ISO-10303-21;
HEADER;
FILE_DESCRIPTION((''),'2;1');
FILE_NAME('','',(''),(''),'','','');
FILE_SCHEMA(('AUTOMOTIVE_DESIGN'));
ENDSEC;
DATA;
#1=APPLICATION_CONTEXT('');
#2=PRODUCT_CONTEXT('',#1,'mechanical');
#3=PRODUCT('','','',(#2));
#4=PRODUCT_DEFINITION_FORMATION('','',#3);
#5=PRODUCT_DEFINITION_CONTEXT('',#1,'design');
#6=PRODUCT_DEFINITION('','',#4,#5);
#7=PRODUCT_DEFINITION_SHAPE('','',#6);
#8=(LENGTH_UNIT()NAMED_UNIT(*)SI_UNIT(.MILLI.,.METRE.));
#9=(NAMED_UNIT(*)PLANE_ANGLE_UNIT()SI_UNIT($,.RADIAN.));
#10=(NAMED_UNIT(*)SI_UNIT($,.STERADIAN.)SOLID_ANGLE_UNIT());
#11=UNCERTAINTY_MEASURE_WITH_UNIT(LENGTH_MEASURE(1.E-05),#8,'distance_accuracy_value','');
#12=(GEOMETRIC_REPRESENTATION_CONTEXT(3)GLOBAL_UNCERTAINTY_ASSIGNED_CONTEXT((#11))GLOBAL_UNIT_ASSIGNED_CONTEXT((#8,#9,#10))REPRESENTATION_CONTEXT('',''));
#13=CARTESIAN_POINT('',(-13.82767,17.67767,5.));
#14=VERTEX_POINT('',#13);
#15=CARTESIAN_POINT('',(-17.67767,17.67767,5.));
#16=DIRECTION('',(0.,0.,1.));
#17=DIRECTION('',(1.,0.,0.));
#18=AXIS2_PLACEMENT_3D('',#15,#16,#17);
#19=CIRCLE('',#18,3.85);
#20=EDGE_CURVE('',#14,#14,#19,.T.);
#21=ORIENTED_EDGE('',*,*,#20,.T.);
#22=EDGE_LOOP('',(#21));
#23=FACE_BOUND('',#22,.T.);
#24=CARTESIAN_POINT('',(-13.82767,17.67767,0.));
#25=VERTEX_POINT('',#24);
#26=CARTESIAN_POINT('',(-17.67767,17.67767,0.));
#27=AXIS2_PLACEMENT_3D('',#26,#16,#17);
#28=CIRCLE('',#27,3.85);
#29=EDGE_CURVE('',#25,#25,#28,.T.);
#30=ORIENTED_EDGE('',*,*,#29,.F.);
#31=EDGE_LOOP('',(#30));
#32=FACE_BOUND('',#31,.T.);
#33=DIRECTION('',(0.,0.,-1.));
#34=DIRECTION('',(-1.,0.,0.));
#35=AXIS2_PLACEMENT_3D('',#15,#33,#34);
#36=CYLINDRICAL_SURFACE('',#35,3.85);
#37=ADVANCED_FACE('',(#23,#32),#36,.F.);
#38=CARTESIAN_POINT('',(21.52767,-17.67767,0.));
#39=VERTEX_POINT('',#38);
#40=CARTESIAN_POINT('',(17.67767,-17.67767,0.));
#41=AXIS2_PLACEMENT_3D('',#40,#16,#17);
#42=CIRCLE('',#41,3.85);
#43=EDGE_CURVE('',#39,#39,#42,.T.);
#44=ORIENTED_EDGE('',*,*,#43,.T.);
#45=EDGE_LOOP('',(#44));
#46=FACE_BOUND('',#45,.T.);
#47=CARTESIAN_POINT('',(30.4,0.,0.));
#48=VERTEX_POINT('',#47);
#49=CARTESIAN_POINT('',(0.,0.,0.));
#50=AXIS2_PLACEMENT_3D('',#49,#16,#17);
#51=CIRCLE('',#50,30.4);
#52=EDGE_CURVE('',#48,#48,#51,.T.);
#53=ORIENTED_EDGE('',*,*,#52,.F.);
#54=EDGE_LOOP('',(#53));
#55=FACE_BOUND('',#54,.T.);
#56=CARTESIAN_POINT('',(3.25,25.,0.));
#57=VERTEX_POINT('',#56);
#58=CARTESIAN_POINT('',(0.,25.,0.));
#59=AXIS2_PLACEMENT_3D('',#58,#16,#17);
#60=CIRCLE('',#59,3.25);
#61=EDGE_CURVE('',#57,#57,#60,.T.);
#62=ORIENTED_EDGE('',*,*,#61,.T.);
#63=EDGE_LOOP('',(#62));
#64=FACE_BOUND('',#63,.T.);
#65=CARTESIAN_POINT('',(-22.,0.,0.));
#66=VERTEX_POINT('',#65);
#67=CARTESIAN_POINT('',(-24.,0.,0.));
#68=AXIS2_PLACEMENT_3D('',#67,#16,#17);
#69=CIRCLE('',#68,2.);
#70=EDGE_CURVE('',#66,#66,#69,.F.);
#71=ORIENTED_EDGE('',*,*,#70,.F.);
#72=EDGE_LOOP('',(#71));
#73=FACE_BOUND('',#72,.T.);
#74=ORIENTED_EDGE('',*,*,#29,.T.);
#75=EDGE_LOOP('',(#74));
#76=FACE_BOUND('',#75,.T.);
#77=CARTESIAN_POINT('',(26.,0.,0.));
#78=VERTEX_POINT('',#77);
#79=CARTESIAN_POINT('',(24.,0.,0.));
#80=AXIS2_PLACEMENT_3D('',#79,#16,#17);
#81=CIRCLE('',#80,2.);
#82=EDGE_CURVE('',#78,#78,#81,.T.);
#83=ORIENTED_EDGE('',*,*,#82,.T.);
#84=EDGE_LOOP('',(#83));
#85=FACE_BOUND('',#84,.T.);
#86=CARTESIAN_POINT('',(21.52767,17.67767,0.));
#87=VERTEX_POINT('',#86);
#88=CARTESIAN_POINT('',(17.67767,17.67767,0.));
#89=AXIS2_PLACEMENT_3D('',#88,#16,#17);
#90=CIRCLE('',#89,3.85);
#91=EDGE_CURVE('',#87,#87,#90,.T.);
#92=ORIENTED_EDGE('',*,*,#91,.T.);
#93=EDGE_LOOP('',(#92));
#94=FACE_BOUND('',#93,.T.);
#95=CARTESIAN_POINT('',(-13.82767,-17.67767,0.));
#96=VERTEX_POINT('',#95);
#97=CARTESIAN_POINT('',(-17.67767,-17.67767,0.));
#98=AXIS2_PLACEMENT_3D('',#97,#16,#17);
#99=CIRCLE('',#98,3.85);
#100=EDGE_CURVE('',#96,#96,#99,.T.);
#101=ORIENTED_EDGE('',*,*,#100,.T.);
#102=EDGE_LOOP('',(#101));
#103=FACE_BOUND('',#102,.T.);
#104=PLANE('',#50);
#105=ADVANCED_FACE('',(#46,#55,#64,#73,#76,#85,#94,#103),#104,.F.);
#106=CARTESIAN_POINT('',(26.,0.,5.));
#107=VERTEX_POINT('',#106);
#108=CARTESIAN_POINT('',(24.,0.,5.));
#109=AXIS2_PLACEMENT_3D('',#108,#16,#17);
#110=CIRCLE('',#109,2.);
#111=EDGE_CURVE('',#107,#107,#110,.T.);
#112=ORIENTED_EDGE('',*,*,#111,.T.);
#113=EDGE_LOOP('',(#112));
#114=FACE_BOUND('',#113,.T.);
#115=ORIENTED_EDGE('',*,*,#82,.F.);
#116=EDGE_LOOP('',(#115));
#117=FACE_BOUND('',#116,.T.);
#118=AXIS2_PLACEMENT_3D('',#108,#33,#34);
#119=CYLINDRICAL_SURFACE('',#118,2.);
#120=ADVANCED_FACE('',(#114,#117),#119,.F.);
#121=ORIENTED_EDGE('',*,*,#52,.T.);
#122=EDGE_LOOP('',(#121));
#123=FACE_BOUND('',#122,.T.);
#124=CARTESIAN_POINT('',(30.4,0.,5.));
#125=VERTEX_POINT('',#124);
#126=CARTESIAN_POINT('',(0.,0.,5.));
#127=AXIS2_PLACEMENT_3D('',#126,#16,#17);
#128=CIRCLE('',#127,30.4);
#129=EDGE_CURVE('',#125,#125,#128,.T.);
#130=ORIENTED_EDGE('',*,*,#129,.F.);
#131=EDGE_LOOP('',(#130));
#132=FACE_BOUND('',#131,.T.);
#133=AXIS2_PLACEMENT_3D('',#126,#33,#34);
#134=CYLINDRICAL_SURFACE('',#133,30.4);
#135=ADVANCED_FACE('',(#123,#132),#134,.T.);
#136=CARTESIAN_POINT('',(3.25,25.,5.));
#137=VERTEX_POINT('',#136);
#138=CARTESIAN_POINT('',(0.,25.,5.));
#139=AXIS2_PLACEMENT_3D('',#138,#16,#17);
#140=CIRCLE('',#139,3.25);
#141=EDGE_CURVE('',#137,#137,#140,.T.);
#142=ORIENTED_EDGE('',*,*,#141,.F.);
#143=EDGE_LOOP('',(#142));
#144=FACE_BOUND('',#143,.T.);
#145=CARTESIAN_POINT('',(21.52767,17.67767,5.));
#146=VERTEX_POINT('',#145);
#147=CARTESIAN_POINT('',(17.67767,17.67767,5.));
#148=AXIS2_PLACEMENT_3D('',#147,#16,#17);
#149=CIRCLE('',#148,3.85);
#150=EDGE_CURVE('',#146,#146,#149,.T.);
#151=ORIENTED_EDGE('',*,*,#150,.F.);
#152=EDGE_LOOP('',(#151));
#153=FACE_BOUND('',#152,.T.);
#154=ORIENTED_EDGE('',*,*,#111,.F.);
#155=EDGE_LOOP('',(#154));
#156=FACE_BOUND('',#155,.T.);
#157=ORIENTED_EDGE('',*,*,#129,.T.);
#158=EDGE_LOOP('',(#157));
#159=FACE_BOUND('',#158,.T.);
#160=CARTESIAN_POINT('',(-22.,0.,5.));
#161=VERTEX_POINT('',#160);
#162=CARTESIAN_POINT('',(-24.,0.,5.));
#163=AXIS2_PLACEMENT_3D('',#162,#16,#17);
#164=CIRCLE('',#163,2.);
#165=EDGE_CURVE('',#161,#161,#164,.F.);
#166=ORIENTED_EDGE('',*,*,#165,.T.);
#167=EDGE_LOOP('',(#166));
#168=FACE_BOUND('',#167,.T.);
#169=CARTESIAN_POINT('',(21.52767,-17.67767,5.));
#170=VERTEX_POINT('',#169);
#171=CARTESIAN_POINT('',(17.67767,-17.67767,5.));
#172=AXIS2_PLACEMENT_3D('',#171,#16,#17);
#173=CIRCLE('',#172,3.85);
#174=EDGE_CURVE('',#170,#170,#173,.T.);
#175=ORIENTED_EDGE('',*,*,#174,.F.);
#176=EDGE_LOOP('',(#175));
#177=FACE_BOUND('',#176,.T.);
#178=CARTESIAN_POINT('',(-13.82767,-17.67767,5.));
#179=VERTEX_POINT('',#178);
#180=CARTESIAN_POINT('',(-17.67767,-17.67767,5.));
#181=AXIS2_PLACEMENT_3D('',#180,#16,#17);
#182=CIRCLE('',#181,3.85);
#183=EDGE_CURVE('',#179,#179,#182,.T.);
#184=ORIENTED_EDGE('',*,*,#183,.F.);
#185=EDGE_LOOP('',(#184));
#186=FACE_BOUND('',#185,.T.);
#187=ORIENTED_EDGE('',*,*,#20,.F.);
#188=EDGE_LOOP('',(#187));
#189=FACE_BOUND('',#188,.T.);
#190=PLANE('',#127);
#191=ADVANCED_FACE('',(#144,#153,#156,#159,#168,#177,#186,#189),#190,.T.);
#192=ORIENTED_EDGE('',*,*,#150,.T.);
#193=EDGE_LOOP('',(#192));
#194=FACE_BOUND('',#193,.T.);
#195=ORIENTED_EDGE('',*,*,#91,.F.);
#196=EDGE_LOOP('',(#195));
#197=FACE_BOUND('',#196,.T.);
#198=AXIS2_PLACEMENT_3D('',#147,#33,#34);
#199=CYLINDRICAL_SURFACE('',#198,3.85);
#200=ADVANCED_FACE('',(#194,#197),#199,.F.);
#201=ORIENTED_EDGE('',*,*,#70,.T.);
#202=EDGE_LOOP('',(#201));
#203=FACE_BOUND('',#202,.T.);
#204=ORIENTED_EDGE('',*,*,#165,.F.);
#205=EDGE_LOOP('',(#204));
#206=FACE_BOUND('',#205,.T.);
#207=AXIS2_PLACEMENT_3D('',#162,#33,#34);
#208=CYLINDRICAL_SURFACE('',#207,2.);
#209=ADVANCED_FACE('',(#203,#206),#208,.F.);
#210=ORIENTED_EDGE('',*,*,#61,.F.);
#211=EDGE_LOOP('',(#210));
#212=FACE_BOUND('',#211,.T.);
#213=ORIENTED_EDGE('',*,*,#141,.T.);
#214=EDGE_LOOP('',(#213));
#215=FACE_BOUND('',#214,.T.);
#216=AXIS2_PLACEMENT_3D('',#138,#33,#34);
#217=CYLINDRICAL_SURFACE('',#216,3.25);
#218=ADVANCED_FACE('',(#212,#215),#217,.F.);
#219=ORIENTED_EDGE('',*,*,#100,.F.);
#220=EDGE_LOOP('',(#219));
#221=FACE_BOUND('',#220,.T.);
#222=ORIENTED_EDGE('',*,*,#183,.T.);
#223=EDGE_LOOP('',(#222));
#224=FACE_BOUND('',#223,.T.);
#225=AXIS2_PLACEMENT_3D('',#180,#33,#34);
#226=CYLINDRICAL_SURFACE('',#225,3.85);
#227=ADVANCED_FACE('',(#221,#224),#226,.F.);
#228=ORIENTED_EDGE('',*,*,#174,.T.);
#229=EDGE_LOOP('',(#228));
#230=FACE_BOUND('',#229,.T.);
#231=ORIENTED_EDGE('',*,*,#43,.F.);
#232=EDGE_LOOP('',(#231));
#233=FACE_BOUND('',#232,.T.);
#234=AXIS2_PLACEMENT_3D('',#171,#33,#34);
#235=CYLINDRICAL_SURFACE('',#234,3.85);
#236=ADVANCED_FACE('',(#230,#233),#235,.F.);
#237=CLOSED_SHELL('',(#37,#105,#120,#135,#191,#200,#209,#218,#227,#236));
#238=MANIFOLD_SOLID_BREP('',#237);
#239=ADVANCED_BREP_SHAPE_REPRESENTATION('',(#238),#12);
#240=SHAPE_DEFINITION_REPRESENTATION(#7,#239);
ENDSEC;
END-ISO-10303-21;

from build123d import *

# Parameters (mm, degrees)
SKETCH1_R           = 3.25
SKETCH1_R_2         = 3.85
SKETCH1_R_3         = 2
BOSS_EXTRUDE1_DEPTH = 5


with BuildPart() as part:
    # Sketch1 → Boss-Extrude1 (new body)
    with BuildSketch(Plane.XY):
        with BuildLine():
            ThreePointArc((0, -30.4), (30.4, 0), (0, 30.4))
            ThreePointArc((0, 30.4), (-30.4, 0), (0, -30.4))
        make_face()
        with Locations((0, 25)):
            Circle(SKETCH1_R, mode=Mode.SUBTRACT)
        with Locations((17.67766953, 17.67766953)):
            Circle(SKETCH1_R_2, mode=Mode.SUBTRACT)
        with Locations((17.67766953, -17.67766953)):
            Circle(SKETCH1_R_2, mode=Mode.SUBTRACT)
        with Locations((-17.67766953, -17.67766953)):
            Circle(SKETCH1_R_2, mode=Mode.SUBTRACT)
        with Locations((-17.67766953, 17.67766953)):
            Circle(SKETCH1_R_2, mode=Mode.SUBTRACT)
        with Locations((24, 0)):
            Circle(SKETCH1_R_3, mode=Mode.SUBTRACT)
        with Locations((-24, 0)):
            Circle(SKETCH1_R_3, mode=Mode.SUBTRACT)
    extrude(amount=BOSS_EXTRUDE1_DEPTH)


solid = part.part
